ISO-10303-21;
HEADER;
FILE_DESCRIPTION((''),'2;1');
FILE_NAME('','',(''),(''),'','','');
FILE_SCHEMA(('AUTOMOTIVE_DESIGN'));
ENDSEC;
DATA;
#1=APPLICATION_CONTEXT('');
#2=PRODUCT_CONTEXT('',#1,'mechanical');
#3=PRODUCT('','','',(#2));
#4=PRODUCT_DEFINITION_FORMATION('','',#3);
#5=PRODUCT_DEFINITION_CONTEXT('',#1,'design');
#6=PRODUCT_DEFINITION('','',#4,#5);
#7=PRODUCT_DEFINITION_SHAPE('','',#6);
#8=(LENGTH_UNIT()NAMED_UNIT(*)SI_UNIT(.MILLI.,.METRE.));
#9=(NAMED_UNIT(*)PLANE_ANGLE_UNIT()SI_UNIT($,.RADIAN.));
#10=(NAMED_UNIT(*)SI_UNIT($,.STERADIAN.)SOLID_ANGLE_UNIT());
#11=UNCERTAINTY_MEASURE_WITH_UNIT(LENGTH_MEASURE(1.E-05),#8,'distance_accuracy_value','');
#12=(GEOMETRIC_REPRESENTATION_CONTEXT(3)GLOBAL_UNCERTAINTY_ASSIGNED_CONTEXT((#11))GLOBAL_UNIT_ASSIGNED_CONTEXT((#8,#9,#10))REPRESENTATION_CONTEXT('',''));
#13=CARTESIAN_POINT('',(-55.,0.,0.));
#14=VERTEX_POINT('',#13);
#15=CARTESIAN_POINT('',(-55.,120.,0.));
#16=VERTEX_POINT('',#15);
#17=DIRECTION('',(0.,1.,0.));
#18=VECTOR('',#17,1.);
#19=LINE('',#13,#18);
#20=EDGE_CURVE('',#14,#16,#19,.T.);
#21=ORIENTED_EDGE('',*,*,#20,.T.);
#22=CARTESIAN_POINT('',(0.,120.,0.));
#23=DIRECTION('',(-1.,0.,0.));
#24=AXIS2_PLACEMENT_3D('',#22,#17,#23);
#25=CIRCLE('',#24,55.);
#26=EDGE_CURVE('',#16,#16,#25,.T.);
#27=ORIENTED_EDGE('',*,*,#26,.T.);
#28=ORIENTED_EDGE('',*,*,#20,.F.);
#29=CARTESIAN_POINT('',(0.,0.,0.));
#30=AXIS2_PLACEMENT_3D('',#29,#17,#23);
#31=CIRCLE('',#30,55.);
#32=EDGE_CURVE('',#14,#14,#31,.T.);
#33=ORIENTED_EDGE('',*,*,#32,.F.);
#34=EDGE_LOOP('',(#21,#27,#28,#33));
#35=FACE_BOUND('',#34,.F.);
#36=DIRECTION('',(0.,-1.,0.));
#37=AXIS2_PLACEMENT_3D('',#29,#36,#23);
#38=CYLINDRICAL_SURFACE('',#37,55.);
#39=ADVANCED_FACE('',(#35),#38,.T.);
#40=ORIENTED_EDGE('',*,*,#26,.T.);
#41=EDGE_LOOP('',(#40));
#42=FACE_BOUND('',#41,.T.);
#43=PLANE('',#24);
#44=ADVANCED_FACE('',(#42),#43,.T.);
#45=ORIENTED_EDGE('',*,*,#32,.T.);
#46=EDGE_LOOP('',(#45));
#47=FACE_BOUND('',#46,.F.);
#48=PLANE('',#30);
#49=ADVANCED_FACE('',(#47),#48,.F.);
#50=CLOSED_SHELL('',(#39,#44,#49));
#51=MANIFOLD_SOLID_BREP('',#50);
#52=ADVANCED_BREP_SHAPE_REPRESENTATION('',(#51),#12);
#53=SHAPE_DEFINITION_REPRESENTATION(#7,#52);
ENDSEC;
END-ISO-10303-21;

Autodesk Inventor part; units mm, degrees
ref_plane "YZ Plane" through (0, 0, 0) normal (1, 0, 0) x (0, 1, 0)
ref_plane "XZ Plane" through (0, 0, 0) normal (0, 1, 0) x (-1, 0, 0)
ref_plane "XY Plane" through (0, 0, 0) normal (0, 0, 1) x (1, 0, 0)
sketch "Sketch1" plane through (0, 0, 0) normal (0, 1, 0) x (-1, 0, 0)
  circle A0 centre (0, 0) radius 55
  dimension "d0" = 110
extrude "Extrusion1" add sketch "Sketch1" along normal blind 120
properties part number "water container"
